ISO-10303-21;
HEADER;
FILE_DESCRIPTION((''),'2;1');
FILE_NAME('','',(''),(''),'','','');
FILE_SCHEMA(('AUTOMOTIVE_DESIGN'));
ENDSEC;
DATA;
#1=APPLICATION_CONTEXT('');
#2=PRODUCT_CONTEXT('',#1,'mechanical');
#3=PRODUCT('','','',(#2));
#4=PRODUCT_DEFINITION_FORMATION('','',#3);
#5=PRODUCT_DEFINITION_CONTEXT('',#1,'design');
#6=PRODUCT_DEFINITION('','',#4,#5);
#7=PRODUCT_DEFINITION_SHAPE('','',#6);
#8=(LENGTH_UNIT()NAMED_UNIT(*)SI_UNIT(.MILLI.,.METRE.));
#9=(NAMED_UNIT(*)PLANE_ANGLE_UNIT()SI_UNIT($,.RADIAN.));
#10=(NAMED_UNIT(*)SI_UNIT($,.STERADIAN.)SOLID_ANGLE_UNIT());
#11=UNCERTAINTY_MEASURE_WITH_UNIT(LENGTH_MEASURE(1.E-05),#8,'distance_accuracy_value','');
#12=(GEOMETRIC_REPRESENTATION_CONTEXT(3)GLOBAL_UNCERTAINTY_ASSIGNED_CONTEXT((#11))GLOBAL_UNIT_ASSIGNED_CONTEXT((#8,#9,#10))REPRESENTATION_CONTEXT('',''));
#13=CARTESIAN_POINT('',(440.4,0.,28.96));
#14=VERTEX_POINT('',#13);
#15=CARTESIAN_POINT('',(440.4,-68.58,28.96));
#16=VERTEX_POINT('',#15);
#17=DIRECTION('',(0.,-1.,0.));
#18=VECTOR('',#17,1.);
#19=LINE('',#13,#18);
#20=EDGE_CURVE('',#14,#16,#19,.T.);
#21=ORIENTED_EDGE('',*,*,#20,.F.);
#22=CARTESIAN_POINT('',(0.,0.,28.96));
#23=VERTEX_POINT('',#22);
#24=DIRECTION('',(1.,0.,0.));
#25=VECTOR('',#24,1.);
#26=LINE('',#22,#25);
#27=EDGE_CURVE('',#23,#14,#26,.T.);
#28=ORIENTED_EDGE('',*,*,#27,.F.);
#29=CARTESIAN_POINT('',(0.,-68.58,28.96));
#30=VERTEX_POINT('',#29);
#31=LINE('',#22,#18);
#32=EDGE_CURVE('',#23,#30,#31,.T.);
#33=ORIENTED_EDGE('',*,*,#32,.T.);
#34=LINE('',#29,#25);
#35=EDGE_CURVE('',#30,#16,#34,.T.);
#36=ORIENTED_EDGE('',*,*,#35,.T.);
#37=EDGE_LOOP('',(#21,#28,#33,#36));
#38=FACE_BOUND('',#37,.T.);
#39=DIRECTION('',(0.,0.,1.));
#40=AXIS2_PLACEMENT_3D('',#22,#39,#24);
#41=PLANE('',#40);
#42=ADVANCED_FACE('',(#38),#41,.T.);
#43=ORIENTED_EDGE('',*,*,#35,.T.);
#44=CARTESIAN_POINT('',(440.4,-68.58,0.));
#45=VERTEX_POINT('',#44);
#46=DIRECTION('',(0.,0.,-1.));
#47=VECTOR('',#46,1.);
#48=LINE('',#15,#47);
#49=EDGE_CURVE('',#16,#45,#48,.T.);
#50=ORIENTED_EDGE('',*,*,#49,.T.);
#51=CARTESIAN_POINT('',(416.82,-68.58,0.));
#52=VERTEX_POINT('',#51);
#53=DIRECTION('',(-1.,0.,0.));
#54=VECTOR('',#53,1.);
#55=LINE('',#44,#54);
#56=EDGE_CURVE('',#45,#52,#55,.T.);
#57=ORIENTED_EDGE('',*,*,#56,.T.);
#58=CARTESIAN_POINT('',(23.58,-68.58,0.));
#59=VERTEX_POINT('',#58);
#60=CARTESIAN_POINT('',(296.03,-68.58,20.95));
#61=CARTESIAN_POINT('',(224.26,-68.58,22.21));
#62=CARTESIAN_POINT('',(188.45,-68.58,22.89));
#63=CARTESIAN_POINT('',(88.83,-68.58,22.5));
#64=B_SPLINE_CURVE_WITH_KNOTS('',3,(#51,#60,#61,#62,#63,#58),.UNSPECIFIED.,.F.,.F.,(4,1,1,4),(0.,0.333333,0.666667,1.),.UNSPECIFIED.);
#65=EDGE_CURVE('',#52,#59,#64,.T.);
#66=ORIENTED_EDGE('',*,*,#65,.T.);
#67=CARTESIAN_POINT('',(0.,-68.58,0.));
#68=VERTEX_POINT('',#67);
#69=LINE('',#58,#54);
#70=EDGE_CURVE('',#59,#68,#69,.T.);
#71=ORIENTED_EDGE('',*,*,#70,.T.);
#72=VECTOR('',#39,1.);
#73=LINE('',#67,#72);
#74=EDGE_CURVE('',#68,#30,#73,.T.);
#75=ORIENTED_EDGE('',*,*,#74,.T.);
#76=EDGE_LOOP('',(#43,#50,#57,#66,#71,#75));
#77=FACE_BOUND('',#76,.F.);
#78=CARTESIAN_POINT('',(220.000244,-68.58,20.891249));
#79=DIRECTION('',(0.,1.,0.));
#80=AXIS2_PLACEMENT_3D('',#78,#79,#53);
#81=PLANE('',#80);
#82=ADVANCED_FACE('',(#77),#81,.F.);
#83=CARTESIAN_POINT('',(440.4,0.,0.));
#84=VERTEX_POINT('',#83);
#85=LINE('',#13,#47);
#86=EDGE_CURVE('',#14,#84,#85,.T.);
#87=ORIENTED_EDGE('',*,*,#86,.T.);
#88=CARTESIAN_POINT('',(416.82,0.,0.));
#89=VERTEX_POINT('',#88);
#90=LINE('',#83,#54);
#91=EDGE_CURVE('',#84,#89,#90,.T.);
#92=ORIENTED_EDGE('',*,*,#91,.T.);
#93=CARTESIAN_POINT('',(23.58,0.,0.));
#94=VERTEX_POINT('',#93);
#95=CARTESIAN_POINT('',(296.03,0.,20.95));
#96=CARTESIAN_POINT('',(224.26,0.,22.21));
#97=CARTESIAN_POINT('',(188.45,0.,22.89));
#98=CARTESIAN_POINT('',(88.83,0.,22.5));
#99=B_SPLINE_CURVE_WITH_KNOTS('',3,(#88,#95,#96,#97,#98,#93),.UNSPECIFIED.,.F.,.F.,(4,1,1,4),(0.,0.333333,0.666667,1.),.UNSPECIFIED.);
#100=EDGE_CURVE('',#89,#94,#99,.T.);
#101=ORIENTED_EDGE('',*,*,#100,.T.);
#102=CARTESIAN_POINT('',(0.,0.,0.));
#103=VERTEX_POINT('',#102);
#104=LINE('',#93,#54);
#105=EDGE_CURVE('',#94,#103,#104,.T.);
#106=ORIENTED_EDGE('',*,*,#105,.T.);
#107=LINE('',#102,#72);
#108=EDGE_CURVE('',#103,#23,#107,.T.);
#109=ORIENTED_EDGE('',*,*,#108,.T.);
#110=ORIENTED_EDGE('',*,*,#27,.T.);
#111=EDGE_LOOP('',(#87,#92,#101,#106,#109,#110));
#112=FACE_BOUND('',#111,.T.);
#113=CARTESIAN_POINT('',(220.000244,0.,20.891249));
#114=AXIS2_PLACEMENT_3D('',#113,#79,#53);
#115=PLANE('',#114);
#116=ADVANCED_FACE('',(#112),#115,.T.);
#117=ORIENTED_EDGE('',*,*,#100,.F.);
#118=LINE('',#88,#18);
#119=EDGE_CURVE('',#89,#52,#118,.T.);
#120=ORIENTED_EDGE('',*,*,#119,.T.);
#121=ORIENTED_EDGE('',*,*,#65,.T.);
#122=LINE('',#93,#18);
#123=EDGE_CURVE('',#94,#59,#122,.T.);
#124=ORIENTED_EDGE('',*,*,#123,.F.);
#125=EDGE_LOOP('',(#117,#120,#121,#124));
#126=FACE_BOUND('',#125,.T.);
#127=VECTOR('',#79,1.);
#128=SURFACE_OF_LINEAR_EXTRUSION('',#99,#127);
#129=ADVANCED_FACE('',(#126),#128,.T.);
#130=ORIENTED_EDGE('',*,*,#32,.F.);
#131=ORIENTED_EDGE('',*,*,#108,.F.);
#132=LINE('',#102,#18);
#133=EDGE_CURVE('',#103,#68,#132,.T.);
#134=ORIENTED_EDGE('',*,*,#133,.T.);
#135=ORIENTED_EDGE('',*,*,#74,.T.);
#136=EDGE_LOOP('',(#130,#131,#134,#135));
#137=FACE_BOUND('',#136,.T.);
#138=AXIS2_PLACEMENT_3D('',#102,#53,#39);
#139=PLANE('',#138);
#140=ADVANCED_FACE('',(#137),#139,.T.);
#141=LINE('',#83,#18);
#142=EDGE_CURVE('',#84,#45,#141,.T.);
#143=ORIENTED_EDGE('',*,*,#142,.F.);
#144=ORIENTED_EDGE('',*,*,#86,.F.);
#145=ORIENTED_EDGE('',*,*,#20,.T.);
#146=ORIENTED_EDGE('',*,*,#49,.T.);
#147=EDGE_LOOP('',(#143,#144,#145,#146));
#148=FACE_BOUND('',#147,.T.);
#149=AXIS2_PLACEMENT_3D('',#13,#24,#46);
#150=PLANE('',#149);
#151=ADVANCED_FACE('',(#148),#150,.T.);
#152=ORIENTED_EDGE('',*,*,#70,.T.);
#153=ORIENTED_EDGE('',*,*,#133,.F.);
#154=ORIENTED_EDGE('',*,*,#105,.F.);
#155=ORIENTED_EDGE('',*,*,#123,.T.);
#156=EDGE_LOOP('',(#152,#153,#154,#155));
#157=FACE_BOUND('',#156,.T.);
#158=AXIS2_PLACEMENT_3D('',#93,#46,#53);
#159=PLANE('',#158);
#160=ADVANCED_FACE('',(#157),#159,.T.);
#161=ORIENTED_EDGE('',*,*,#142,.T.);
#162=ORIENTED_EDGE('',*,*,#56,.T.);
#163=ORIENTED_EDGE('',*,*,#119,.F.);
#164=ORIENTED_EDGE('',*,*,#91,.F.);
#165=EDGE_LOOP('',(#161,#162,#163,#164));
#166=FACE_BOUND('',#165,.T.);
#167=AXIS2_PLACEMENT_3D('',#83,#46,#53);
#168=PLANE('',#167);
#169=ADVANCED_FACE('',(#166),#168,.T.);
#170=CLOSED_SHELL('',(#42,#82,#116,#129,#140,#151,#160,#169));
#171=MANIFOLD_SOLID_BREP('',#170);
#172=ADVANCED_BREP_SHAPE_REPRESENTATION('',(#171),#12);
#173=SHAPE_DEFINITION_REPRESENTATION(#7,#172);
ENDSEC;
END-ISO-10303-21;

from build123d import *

# Parameters (mm, degrees)
BAR_DEPTH = 68.58


with BuildPart() as part:
    # Sketch → Bar (new body)
    with BuildSketch(Plane.XZ):
        with BuildLine():
            Line((23.58, 0), (0, 0))
            Line((0, 0), (0, 28.96))
            Line((0, 28.96), (440.4, 28.96))
            Line((440.4, 28.96), (440.4, 0))
            Line((440.4, 0), (416.82, 0))
            add(Edge.make_bspline(
                [(416.82, 0), (296.03, 20.95), (224.26, 22.21), (188.45, 22.89), (88.83, 22.5), (23.58, 0)],
                knots=[0, 0, 0, 0, 0.333333, 0.666667, 1, 1, 1, 1], degree=3))
        make_face()
    extrude(amount=BAR_DEPTH)


solid = part.part
